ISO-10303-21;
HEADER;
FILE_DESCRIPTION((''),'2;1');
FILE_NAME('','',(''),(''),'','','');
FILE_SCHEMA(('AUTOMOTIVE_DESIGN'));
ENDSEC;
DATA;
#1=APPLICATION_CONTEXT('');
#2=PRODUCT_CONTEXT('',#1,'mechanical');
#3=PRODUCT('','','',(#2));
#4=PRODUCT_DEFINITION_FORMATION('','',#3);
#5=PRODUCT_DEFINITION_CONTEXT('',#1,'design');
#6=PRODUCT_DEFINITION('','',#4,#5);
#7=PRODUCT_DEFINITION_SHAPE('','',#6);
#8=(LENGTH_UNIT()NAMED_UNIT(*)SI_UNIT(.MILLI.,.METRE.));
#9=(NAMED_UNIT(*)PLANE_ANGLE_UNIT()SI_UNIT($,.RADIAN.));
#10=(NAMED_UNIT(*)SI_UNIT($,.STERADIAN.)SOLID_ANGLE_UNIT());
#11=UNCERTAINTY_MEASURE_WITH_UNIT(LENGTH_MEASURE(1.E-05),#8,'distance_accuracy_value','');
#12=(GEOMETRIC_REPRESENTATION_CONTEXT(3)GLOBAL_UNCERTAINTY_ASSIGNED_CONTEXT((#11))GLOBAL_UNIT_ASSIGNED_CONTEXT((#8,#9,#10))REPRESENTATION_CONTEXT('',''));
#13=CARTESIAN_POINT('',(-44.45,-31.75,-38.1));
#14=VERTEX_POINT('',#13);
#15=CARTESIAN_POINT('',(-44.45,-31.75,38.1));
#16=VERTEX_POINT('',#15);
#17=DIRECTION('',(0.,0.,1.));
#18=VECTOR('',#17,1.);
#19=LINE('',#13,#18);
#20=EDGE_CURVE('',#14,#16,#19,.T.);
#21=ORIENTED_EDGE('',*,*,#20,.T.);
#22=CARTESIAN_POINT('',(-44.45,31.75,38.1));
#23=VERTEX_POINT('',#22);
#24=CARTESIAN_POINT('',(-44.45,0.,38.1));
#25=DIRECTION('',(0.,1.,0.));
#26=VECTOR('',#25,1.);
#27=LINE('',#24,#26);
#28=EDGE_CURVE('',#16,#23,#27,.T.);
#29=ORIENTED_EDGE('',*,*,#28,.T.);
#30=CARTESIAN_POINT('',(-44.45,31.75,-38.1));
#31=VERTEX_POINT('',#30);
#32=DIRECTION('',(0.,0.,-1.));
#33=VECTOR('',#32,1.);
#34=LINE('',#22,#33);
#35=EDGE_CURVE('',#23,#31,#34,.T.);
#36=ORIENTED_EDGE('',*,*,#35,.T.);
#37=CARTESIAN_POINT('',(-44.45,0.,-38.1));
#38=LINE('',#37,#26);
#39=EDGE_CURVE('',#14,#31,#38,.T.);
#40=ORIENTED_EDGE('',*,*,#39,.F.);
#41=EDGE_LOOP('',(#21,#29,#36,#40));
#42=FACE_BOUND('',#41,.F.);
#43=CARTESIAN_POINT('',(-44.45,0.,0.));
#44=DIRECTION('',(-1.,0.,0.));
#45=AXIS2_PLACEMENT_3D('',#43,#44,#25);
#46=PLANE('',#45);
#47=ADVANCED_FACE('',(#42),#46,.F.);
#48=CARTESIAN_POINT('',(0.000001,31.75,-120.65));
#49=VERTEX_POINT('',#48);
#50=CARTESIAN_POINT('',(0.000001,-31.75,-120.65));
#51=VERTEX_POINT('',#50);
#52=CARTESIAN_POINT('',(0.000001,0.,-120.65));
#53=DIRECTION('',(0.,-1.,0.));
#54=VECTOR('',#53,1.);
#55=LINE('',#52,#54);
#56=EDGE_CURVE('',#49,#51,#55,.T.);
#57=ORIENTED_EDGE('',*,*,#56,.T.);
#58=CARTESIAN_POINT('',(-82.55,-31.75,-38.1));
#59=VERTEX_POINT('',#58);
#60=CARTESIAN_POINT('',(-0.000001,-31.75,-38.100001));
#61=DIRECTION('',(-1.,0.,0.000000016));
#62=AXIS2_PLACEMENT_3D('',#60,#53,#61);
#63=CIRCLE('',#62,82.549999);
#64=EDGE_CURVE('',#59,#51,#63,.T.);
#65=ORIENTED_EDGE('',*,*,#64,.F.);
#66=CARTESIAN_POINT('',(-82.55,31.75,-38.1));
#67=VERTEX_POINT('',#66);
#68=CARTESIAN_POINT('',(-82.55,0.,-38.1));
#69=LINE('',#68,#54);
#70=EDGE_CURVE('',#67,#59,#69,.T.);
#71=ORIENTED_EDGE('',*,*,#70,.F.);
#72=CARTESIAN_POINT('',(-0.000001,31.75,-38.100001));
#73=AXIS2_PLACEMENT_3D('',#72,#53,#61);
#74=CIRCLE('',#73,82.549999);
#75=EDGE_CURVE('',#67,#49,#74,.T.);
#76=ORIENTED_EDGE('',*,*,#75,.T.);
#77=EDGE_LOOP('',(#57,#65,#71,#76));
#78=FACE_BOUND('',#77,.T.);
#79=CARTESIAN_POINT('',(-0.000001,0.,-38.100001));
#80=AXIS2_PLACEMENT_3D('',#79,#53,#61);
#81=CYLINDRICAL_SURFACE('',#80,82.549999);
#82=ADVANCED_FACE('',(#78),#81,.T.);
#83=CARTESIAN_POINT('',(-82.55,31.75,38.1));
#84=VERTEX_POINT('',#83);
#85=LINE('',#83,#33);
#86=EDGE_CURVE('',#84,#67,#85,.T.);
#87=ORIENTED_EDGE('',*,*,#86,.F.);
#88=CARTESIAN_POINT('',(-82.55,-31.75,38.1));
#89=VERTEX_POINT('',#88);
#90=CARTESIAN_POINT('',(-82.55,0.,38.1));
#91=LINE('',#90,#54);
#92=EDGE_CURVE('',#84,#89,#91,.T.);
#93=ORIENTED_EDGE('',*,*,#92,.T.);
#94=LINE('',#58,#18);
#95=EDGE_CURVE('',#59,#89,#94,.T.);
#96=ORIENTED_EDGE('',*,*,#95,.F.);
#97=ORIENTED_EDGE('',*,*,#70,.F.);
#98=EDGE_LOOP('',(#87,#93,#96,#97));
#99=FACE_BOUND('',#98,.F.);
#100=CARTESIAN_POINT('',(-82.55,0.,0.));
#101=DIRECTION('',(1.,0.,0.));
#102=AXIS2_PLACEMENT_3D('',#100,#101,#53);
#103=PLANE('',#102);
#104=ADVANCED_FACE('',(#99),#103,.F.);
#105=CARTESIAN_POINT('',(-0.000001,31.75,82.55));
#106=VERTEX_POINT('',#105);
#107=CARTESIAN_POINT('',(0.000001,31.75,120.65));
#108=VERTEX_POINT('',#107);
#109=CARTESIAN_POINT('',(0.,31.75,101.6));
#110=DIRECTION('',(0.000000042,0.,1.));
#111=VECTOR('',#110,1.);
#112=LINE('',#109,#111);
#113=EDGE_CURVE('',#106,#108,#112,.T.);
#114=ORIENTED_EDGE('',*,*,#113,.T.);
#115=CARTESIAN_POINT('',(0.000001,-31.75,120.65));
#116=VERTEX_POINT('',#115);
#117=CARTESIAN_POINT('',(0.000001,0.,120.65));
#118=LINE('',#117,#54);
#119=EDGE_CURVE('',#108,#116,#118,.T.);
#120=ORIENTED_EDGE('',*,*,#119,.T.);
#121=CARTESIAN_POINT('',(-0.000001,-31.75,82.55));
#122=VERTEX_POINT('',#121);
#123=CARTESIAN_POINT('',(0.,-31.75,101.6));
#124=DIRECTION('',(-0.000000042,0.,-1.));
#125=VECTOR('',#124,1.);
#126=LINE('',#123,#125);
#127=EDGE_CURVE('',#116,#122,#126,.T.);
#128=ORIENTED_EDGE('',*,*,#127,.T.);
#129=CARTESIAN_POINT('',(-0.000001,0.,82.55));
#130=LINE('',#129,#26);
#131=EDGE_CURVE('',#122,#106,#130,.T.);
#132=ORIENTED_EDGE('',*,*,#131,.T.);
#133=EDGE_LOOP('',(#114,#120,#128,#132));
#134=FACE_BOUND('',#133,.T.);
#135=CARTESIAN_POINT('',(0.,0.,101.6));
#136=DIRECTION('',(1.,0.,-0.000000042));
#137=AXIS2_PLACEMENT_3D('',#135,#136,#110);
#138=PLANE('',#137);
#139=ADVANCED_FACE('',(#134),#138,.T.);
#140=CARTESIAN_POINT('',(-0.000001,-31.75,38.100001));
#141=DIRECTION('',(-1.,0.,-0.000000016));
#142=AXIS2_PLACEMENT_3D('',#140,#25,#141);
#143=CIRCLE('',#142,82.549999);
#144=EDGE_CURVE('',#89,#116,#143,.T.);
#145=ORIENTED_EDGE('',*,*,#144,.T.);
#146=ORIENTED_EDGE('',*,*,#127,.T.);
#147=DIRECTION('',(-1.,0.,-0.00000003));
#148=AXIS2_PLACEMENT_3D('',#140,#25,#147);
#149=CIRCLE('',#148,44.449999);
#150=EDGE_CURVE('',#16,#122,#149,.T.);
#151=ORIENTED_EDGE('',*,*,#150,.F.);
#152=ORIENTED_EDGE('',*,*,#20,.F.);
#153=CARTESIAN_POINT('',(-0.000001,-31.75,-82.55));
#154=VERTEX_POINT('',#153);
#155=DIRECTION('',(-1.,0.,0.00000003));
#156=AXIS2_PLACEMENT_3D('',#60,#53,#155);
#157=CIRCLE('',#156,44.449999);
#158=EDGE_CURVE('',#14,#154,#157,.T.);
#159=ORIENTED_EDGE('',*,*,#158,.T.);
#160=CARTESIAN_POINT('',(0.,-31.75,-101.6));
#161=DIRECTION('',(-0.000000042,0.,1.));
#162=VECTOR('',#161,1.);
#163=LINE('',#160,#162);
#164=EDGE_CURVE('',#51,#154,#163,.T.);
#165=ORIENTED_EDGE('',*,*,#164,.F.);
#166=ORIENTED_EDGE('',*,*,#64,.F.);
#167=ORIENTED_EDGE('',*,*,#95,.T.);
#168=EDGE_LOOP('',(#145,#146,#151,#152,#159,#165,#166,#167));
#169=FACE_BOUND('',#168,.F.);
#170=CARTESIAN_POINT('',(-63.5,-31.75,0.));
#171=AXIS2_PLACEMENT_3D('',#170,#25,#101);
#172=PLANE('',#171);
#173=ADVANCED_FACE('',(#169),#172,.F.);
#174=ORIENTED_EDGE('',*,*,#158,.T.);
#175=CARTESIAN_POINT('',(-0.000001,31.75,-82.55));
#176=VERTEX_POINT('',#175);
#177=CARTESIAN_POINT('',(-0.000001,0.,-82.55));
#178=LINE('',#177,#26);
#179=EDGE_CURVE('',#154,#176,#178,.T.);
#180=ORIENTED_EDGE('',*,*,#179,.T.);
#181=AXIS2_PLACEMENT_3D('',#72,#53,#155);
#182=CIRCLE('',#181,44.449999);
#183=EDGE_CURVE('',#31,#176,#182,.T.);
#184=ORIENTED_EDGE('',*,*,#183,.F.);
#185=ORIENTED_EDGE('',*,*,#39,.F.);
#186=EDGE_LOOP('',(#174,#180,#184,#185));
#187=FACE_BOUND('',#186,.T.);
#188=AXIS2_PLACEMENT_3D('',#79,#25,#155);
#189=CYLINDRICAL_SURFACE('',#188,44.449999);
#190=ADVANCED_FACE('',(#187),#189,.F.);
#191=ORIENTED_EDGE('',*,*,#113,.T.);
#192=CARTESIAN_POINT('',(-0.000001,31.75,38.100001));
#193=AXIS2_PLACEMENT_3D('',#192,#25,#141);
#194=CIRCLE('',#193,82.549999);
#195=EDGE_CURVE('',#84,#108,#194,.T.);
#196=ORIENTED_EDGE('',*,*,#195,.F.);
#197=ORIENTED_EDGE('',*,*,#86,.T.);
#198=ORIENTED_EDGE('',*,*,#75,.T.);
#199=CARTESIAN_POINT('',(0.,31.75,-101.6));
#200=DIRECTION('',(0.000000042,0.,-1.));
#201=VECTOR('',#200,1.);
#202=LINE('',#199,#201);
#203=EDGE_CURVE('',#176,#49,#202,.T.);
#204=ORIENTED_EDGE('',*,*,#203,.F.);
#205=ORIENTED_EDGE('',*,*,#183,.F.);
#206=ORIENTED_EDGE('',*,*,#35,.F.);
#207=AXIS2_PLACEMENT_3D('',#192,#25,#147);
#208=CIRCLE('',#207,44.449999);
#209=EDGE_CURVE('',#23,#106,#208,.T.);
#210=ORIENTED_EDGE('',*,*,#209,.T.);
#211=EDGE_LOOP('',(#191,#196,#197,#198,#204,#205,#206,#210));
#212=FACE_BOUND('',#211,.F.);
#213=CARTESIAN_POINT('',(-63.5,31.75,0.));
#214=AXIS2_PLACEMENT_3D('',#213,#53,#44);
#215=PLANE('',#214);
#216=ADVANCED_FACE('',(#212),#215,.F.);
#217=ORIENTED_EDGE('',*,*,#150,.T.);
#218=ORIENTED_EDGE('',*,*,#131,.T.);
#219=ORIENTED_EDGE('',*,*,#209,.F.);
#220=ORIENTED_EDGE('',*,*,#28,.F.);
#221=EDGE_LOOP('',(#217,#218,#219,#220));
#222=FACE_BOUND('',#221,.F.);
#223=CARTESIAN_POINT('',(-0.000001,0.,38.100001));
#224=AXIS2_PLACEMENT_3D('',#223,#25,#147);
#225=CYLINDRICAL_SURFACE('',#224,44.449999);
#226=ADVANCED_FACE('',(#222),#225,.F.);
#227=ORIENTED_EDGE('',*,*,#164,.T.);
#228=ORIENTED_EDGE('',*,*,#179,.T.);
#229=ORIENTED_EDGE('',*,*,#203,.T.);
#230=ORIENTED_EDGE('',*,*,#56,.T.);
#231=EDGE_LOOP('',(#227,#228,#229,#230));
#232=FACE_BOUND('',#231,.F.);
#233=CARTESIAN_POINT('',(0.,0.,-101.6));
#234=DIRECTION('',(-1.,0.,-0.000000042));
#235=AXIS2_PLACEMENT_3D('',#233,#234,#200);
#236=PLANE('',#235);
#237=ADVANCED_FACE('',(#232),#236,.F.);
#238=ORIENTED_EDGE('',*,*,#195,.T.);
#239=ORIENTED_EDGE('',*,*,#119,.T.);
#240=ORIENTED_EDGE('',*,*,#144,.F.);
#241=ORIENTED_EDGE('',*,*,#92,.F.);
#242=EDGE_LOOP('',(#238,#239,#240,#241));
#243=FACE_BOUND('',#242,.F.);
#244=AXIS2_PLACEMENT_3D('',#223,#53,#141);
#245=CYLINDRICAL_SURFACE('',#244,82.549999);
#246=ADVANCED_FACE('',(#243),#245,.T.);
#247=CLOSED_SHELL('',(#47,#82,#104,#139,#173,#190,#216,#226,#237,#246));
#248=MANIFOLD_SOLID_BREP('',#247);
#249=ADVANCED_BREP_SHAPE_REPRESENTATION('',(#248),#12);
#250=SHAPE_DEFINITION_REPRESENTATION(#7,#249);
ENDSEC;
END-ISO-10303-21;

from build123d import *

# Parameters (mm, degrees)
F1_W = 38.1
F1_H = 63.5


with BuildPart() as f2:
    # F2: sweep along a path in F0
    with BuildLine(Plane.XZ) as f2_path:
        Line((-63.5, 0), (-63.5, 38.1))
        ThreePointArc((-63.5, 38.1), (-44.901281, 83.001281), (0, 101.6))
    # F1 (on Top) → F2 (sweep)
    with BuildSketch(Plane.XY):
        with Locations((-63.5, 0)):
            Rectangle(F1_W, F1_H)
    sweep(path=f2_path.line)

    # F3: sweep along a path in F0
    with BuildLine(Plane.XZ) as f3_path:
        Line((-63.5, 0), (-63.5, -38.1))
        ThreePointArc((-63.5, -38.1), (-44.901281, -83.001281), (0, -101.6))
    # F1 (on Top) → F3 (sweep)
    with BuildSketch(Plane.XY):
        with Locations((-63.5, 0)):
            Rectangle(F1_W, F1_H)
    sweep(path=f3_path.line)


solid = f2.part
